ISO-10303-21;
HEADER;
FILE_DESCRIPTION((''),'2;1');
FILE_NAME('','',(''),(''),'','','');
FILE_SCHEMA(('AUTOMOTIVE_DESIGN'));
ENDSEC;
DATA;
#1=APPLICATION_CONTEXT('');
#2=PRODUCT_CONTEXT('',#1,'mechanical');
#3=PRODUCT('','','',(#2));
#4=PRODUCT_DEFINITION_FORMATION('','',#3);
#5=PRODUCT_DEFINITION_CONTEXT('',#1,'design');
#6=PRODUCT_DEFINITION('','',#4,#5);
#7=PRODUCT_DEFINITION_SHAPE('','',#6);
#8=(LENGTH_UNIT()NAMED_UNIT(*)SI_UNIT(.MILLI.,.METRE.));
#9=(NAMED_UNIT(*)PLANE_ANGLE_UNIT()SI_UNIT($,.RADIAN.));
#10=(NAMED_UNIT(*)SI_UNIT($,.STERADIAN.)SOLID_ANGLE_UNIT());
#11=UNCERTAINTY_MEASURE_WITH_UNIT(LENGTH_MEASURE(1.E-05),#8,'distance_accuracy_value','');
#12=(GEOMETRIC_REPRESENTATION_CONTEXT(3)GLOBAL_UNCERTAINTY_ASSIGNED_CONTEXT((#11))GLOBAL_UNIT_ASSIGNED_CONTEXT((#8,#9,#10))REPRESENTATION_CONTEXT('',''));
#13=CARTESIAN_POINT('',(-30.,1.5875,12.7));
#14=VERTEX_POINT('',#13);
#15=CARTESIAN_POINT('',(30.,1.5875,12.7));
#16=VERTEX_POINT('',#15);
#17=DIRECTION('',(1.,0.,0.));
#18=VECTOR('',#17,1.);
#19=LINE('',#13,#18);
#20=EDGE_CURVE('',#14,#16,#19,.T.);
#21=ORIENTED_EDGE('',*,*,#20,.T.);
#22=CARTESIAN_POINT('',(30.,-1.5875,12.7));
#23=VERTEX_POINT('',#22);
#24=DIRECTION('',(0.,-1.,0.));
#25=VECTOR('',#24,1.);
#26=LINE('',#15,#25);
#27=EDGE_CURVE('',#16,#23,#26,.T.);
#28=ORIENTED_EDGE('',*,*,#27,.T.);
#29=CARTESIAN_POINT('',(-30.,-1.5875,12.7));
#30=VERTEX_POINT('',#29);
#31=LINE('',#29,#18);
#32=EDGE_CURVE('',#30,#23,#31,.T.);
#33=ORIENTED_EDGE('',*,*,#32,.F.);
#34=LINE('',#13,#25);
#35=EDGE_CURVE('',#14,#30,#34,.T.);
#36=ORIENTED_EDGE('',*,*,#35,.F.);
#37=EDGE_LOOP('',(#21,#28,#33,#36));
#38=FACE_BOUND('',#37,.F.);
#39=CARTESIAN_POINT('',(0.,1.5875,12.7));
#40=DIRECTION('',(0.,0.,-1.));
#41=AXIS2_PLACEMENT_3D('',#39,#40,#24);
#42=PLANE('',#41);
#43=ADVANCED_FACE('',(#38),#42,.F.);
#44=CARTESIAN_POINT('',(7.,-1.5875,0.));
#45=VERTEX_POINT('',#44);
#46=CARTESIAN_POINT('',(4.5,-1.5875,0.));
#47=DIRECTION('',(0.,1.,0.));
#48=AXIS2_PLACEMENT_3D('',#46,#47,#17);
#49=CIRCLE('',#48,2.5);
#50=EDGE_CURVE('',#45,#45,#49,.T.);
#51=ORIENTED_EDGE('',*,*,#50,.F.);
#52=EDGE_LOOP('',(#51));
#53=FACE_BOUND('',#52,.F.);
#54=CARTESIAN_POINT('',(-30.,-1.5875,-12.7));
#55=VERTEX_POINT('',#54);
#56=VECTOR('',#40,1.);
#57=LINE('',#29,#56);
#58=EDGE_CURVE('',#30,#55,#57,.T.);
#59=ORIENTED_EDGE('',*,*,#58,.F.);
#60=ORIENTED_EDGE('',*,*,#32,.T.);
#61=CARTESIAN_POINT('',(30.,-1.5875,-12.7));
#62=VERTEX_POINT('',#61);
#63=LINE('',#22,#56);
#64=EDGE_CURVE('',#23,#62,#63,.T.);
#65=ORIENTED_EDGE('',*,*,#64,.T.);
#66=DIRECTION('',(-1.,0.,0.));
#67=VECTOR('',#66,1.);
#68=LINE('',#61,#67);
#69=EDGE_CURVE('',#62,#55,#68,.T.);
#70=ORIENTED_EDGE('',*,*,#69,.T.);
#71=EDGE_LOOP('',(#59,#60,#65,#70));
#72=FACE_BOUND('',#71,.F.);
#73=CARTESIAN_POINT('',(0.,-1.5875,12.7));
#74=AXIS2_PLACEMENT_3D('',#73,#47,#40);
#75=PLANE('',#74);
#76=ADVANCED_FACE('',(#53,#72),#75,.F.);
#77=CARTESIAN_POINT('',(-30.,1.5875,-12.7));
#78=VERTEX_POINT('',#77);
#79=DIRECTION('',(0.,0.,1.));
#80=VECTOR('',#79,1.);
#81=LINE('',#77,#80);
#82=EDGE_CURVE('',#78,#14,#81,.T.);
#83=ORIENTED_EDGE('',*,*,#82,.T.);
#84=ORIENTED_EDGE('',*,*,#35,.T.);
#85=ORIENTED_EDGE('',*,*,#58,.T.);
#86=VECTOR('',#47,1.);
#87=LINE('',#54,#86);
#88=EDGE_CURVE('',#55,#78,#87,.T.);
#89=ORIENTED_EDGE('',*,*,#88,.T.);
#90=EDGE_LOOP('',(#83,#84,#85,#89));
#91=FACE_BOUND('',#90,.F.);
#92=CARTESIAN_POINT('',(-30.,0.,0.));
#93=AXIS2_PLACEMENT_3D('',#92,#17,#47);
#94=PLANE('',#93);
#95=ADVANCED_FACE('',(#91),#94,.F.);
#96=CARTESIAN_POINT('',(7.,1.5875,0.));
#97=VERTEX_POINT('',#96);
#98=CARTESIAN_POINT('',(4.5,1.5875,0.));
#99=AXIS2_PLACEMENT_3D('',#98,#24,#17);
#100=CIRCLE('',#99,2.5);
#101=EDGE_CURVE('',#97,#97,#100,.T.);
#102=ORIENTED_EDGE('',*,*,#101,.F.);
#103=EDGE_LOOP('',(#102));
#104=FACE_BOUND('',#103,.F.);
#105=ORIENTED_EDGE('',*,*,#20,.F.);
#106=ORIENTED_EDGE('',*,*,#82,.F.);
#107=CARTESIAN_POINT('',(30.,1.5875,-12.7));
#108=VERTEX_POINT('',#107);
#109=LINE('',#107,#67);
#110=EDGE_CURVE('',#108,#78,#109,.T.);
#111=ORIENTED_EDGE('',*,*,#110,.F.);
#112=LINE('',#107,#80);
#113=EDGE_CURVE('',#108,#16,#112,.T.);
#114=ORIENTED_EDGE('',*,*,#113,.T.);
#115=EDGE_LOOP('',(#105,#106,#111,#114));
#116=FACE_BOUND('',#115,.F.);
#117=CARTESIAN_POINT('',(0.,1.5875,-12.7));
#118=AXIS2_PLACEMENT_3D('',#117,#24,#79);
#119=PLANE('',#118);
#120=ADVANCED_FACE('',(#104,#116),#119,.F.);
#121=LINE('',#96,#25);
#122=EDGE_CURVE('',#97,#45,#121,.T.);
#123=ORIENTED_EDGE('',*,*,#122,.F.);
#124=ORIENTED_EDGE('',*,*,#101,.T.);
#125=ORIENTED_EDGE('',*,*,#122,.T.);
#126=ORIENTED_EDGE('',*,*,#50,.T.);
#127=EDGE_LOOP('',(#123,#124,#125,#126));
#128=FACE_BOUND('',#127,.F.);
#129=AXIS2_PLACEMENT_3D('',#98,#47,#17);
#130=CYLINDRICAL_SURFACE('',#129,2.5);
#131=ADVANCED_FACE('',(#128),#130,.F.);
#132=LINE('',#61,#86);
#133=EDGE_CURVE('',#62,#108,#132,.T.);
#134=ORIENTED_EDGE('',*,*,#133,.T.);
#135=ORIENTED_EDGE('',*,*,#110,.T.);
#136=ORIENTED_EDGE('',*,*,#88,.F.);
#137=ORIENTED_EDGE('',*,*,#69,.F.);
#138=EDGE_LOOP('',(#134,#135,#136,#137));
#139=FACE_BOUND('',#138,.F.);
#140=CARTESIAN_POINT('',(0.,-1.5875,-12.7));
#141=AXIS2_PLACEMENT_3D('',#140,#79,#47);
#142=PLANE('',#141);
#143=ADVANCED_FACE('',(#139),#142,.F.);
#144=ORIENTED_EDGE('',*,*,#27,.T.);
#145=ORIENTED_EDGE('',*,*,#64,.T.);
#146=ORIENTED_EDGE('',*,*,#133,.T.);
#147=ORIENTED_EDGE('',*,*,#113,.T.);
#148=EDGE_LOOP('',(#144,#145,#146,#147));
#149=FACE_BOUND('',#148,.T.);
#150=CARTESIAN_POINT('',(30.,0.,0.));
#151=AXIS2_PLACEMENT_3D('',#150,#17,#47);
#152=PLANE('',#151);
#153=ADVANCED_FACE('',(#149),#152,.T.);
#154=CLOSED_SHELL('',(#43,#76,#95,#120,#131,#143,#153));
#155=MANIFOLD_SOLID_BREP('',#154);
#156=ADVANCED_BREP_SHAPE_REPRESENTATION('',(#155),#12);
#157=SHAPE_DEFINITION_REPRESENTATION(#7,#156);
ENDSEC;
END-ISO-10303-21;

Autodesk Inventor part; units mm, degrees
ref_plane "YZ Plane" through (0, 0, 0) normal (1, 0, 0) x (0, 1, 0)
ref_plane "XZ Plane" through (0, 0, 0) normal (0, 1, 0) x (-1, 0, 0)
ref_plane "XY Plane" through (0, 0, 0) normal (0, 0, 1) x (1, 0, 0)
sketch "Sketch1" plane through (0, 0, 0) normal (1, 0, 0) x (0, 1, 0)
  line L0 (1.5875, 12.7) -> (-1.5875, 12.7)
  line L1 (-1.5875, 12.7) -> (-1.5875, -12.7)
  line L2 (-1.5875, -12.7) -> (1.5875, -12.7)
  line L3 (1.5875, -12.7) -> (1.5875, 12.7)
  line L4 (1.5875, 12.7) -> (-1.5875, -12.7) construction
  line L5 (-1.5875, 12.7) -> (1.5875, -12.7) construction
  point P0 (0, 0)
  dimension "d0" = 3.175
  dimension "d1" = 25.4
extrude "Extrusion1" add sketch "Sketch1" along normal mid plane 60
sketch "Sketch2" plane through (-30, 1.5875, 12.7) normal (0, 1, 0) x (1, 0, 0)
  line L0 (0, 0) -> (0, 25.4) projected
  line L1 (0, 12.7) -> (34.5, 12.7)
  line L2 (34.5, 12.7) -> (254.5, 12.7)
  circle A0 centre (34.5, 12.7) radius 2.5
  circle A1 centre (254.5, 12.7) radius 2.5
  point P0 (30, 12.7)
  dimension "d4" = 34.5
  dimension "d5" = 220
  dimension "d6" = 5
  dimension "d7" = 5
extrude "Extrusion2" cut sketch "Sketch2" against normal blind 250 contours A0 L2 L1 | L1 L2 A0
properties part number "PLETINA PARA CARA INCLINADA"
